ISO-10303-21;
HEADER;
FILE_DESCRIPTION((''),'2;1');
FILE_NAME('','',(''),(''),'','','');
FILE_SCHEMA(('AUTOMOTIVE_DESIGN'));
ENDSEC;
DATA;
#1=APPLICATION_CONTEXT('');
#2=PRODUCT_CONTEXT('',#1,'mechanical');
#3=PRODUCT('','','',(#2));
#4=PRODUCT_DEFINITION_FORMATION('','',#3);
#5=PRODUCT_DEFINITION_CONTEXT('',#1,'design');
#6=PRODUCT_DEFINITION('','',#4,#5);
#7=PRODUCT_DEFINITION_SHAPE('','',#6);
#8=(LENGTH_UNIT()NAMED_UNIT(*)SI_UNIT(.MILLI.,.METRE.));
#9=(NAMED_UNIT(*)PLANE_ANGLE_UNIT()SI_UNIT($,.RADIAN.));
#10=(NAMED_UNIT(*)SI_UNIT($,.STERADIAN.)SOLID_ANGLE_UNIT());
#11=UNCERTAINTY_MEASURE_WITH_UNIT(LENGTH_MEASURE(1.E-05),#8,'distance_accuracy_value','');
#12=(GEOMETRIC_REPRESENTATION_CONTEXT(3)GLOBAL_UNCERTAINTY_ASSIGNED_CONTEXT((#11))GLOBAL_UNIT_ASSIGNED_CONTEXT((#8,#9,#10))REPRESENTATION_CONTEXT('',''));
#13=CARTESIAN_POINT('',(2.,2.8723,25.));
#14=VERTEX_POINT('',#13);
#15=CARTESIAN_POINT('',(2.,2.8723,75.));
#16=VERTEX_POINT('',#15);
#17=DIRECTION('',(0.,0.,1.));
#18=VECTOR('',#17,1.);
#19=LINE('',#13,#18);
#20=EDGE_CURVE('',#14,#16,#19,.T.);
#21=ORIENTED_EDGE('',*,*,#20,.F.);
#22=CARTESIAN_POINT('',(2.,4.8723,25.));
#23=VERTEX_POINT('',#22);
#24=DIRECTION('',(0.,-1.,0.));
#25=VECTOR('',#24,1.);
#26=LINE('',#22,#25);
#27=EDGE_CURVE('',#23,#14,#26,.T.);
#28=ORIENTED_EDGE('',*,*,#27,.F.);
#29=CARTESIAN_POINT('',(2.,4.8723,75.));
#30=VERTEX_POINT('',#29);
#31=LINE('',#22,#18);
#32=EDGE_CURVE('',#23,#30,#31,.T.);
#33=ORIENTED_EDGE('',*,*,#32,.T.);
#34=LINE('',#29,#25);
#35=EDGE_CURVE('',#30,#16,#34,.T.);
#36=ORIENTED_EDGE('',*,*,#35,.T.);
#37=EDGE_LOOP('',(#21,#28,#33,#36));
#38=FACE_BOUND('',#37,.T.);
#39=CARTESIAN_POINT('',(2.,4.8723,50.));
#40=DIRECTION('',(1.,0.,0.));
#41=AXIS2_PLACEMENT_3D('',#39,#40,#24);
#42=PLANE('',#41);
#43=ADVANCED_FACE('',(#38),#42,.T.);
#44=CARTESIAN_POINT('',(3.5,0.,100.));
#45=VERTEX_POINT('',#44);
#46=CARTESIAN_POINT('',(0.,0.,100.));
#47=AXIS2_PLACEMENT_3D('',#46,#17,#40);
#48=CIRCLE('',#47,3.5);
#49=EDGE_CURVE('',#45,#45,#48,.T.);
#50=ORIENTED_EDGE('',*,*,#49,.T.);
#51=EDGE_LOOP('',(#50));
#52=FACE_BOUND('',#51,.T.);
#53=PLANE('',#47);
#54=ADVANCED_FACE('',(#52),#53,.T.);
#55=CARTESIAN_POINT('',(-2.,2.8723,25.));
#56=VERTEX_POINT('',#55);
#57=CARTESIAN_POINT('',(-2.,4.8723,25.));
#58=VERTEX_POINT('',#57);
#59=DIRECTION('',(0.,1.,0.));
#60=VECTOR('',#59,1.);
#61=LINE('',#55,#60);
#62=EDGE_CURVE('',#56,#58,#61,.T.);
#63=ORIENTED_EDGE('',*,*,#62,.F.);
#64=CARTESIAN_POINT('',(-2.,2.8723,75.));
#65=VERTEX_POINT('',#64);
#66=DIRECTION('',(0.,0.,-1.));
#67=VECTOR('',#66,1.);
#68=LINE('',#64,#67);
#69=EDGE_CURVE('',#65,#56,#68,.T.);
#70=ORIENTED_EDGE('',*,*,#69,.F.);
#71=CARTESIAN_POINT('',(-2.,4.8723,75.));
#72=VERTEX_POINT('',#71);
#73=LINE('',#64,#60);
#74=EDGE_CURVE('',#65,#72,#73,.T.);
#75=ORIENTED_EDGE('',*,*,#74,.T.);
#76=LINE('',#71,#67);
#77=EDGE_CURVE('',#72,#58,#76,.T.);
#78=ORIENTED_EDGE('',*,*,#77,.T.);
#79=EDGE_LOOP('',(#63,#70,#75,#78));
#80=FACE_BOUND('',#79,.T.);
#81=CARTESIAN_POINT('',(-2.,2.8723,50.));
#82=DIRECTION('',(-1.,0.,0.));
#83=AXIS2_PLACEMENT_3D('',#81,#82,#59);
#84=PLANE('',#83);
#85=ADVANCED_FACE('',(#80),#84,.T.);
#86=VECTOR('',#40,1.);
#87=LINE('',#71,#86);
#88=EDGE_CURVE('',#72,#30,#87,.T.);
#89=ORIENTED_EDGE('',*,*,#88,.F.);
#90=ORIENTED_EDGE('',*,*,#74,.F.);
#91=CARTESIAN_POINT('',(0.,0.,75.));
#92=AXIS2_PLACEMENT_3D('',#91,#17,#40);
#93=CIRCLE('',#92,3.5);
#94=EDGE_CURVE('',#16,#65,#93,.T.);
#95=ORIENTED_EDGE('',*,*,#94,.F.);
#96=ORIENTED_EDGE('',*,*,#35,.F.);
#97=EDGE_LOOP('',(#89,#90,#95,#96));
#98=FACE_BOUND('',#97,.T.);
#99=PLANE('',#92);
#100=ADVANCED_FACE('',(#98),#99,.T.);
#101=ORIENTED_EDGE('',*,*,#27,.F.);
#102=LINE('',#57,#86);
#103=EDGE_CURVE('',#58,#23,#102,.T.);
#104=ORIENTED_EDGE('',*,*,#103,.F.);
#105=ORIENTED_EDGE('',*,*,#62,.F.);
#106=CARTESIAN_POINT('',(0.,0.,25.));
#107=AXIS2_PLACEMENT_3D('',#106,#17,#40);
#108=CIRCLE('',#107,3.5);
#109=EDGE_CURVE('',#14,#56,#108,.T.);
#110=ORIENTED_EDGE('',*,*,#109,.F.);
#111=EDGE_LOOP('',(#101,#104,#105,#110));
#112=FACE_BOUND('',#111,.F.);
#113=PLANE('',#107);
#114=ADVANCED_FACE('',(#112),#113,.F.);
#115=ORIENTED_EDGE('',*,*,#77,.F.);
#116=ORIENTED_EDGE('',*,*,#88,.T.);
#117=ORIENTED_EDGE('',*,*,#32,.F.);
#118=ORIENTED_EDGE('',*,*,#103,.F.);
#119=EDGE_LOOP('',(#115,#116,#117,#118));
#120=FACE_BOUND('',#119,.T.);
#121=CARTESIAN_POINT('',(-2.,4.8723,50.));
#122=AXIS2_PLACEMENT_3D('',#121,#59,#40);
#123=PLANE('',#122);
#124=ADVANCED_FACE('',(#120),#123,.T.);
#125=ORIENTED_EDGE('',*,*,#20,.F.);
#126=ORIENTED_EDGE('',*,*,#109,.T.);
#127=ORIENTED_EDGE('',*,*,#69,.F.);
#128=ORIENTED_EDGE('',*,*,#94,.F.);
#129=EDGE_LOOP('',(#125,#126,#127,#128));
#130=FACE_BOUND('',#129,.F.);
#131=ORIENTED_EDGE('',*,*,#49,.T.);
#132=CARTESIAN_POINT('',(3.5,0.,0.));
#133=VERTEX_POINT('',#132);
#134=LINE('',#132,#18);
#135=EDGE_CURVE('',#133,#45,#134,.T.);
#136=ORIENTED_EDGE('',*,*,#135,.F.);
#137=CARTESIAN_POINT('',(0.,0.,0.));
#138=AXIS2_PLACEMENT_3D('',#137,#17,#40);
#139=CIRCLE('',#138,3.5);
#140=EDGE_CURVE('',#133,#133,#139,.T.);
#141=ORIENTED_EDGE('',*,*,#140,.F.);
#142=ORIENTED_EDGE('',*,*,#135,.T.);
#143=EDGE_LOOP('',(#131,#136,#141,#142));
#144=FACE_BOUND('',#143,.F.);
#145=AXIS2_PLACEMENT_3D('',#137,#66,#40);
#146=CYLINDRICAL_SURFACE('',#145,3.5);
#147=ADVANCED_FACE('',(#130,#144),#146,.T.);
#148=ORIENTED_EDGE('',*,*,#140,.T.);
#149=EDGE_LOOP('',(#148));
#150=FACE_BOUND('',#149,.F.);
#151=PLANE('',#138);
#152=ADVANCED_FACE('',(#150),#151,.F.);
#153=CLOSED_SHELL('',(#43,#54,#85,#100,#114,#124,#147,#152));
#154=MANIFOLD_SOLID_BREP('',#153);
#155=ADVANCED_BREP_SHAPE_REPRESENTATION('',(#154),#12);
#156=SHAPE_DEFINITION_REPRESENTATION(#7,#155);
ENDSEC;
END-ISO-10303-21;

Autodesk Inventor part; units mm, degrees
ref_plane "YZ Plane" through (0, 0, 0) normal (1, 0, 0) x (0, 1, 0)
ref_plane "XZ Plane" through (0, 0, 0) normal (0, 1, 0) x (-1, 0, 0)
sketch "Sketch1" plane through (0, 0, 0) normal (0, 0, 1) x (1, 0, 0)
  circle A0 centre (0, 0) radius 3.5
  dimension "d0" = 7
extrude "Extrusion1" add sketch "Sketch1" along normal blind 100
ref_plane "Work Plane1" through (0, 0, 50) normal (0, 0, 1) x (1, 0, 0)
sketch "Sketch2" plane through (0, 0, 50) normal (0, 0, 1) x (1, 0, 0)
  circle A0 centre (0, 0) radius 3.5 projected
  line L0 (-2, 2.8723) -> (-2, 4.8723)
  line L1 (-2, 4.8723) -> (2, 4.8723)
  line L2 (2, 4.8723) -> (2, 2.8723)
  circle A1 centre (0, 0) radius 3.5 projected
  arc A2 (2, 2.8723) -> (-2, 2.8723) centre (0, 0) ccw
  circle A3 centre (0, 0) radius 3.5 projected
  point P0 (0, 4.8723)
  dimension "d4" = 4
  dimension "d5" = 2
extrude "Extrusion2" add sketch "Sketch2" along normal mid plane 50 contours A0 L0 L1 L2
properties part number "shaft2"
